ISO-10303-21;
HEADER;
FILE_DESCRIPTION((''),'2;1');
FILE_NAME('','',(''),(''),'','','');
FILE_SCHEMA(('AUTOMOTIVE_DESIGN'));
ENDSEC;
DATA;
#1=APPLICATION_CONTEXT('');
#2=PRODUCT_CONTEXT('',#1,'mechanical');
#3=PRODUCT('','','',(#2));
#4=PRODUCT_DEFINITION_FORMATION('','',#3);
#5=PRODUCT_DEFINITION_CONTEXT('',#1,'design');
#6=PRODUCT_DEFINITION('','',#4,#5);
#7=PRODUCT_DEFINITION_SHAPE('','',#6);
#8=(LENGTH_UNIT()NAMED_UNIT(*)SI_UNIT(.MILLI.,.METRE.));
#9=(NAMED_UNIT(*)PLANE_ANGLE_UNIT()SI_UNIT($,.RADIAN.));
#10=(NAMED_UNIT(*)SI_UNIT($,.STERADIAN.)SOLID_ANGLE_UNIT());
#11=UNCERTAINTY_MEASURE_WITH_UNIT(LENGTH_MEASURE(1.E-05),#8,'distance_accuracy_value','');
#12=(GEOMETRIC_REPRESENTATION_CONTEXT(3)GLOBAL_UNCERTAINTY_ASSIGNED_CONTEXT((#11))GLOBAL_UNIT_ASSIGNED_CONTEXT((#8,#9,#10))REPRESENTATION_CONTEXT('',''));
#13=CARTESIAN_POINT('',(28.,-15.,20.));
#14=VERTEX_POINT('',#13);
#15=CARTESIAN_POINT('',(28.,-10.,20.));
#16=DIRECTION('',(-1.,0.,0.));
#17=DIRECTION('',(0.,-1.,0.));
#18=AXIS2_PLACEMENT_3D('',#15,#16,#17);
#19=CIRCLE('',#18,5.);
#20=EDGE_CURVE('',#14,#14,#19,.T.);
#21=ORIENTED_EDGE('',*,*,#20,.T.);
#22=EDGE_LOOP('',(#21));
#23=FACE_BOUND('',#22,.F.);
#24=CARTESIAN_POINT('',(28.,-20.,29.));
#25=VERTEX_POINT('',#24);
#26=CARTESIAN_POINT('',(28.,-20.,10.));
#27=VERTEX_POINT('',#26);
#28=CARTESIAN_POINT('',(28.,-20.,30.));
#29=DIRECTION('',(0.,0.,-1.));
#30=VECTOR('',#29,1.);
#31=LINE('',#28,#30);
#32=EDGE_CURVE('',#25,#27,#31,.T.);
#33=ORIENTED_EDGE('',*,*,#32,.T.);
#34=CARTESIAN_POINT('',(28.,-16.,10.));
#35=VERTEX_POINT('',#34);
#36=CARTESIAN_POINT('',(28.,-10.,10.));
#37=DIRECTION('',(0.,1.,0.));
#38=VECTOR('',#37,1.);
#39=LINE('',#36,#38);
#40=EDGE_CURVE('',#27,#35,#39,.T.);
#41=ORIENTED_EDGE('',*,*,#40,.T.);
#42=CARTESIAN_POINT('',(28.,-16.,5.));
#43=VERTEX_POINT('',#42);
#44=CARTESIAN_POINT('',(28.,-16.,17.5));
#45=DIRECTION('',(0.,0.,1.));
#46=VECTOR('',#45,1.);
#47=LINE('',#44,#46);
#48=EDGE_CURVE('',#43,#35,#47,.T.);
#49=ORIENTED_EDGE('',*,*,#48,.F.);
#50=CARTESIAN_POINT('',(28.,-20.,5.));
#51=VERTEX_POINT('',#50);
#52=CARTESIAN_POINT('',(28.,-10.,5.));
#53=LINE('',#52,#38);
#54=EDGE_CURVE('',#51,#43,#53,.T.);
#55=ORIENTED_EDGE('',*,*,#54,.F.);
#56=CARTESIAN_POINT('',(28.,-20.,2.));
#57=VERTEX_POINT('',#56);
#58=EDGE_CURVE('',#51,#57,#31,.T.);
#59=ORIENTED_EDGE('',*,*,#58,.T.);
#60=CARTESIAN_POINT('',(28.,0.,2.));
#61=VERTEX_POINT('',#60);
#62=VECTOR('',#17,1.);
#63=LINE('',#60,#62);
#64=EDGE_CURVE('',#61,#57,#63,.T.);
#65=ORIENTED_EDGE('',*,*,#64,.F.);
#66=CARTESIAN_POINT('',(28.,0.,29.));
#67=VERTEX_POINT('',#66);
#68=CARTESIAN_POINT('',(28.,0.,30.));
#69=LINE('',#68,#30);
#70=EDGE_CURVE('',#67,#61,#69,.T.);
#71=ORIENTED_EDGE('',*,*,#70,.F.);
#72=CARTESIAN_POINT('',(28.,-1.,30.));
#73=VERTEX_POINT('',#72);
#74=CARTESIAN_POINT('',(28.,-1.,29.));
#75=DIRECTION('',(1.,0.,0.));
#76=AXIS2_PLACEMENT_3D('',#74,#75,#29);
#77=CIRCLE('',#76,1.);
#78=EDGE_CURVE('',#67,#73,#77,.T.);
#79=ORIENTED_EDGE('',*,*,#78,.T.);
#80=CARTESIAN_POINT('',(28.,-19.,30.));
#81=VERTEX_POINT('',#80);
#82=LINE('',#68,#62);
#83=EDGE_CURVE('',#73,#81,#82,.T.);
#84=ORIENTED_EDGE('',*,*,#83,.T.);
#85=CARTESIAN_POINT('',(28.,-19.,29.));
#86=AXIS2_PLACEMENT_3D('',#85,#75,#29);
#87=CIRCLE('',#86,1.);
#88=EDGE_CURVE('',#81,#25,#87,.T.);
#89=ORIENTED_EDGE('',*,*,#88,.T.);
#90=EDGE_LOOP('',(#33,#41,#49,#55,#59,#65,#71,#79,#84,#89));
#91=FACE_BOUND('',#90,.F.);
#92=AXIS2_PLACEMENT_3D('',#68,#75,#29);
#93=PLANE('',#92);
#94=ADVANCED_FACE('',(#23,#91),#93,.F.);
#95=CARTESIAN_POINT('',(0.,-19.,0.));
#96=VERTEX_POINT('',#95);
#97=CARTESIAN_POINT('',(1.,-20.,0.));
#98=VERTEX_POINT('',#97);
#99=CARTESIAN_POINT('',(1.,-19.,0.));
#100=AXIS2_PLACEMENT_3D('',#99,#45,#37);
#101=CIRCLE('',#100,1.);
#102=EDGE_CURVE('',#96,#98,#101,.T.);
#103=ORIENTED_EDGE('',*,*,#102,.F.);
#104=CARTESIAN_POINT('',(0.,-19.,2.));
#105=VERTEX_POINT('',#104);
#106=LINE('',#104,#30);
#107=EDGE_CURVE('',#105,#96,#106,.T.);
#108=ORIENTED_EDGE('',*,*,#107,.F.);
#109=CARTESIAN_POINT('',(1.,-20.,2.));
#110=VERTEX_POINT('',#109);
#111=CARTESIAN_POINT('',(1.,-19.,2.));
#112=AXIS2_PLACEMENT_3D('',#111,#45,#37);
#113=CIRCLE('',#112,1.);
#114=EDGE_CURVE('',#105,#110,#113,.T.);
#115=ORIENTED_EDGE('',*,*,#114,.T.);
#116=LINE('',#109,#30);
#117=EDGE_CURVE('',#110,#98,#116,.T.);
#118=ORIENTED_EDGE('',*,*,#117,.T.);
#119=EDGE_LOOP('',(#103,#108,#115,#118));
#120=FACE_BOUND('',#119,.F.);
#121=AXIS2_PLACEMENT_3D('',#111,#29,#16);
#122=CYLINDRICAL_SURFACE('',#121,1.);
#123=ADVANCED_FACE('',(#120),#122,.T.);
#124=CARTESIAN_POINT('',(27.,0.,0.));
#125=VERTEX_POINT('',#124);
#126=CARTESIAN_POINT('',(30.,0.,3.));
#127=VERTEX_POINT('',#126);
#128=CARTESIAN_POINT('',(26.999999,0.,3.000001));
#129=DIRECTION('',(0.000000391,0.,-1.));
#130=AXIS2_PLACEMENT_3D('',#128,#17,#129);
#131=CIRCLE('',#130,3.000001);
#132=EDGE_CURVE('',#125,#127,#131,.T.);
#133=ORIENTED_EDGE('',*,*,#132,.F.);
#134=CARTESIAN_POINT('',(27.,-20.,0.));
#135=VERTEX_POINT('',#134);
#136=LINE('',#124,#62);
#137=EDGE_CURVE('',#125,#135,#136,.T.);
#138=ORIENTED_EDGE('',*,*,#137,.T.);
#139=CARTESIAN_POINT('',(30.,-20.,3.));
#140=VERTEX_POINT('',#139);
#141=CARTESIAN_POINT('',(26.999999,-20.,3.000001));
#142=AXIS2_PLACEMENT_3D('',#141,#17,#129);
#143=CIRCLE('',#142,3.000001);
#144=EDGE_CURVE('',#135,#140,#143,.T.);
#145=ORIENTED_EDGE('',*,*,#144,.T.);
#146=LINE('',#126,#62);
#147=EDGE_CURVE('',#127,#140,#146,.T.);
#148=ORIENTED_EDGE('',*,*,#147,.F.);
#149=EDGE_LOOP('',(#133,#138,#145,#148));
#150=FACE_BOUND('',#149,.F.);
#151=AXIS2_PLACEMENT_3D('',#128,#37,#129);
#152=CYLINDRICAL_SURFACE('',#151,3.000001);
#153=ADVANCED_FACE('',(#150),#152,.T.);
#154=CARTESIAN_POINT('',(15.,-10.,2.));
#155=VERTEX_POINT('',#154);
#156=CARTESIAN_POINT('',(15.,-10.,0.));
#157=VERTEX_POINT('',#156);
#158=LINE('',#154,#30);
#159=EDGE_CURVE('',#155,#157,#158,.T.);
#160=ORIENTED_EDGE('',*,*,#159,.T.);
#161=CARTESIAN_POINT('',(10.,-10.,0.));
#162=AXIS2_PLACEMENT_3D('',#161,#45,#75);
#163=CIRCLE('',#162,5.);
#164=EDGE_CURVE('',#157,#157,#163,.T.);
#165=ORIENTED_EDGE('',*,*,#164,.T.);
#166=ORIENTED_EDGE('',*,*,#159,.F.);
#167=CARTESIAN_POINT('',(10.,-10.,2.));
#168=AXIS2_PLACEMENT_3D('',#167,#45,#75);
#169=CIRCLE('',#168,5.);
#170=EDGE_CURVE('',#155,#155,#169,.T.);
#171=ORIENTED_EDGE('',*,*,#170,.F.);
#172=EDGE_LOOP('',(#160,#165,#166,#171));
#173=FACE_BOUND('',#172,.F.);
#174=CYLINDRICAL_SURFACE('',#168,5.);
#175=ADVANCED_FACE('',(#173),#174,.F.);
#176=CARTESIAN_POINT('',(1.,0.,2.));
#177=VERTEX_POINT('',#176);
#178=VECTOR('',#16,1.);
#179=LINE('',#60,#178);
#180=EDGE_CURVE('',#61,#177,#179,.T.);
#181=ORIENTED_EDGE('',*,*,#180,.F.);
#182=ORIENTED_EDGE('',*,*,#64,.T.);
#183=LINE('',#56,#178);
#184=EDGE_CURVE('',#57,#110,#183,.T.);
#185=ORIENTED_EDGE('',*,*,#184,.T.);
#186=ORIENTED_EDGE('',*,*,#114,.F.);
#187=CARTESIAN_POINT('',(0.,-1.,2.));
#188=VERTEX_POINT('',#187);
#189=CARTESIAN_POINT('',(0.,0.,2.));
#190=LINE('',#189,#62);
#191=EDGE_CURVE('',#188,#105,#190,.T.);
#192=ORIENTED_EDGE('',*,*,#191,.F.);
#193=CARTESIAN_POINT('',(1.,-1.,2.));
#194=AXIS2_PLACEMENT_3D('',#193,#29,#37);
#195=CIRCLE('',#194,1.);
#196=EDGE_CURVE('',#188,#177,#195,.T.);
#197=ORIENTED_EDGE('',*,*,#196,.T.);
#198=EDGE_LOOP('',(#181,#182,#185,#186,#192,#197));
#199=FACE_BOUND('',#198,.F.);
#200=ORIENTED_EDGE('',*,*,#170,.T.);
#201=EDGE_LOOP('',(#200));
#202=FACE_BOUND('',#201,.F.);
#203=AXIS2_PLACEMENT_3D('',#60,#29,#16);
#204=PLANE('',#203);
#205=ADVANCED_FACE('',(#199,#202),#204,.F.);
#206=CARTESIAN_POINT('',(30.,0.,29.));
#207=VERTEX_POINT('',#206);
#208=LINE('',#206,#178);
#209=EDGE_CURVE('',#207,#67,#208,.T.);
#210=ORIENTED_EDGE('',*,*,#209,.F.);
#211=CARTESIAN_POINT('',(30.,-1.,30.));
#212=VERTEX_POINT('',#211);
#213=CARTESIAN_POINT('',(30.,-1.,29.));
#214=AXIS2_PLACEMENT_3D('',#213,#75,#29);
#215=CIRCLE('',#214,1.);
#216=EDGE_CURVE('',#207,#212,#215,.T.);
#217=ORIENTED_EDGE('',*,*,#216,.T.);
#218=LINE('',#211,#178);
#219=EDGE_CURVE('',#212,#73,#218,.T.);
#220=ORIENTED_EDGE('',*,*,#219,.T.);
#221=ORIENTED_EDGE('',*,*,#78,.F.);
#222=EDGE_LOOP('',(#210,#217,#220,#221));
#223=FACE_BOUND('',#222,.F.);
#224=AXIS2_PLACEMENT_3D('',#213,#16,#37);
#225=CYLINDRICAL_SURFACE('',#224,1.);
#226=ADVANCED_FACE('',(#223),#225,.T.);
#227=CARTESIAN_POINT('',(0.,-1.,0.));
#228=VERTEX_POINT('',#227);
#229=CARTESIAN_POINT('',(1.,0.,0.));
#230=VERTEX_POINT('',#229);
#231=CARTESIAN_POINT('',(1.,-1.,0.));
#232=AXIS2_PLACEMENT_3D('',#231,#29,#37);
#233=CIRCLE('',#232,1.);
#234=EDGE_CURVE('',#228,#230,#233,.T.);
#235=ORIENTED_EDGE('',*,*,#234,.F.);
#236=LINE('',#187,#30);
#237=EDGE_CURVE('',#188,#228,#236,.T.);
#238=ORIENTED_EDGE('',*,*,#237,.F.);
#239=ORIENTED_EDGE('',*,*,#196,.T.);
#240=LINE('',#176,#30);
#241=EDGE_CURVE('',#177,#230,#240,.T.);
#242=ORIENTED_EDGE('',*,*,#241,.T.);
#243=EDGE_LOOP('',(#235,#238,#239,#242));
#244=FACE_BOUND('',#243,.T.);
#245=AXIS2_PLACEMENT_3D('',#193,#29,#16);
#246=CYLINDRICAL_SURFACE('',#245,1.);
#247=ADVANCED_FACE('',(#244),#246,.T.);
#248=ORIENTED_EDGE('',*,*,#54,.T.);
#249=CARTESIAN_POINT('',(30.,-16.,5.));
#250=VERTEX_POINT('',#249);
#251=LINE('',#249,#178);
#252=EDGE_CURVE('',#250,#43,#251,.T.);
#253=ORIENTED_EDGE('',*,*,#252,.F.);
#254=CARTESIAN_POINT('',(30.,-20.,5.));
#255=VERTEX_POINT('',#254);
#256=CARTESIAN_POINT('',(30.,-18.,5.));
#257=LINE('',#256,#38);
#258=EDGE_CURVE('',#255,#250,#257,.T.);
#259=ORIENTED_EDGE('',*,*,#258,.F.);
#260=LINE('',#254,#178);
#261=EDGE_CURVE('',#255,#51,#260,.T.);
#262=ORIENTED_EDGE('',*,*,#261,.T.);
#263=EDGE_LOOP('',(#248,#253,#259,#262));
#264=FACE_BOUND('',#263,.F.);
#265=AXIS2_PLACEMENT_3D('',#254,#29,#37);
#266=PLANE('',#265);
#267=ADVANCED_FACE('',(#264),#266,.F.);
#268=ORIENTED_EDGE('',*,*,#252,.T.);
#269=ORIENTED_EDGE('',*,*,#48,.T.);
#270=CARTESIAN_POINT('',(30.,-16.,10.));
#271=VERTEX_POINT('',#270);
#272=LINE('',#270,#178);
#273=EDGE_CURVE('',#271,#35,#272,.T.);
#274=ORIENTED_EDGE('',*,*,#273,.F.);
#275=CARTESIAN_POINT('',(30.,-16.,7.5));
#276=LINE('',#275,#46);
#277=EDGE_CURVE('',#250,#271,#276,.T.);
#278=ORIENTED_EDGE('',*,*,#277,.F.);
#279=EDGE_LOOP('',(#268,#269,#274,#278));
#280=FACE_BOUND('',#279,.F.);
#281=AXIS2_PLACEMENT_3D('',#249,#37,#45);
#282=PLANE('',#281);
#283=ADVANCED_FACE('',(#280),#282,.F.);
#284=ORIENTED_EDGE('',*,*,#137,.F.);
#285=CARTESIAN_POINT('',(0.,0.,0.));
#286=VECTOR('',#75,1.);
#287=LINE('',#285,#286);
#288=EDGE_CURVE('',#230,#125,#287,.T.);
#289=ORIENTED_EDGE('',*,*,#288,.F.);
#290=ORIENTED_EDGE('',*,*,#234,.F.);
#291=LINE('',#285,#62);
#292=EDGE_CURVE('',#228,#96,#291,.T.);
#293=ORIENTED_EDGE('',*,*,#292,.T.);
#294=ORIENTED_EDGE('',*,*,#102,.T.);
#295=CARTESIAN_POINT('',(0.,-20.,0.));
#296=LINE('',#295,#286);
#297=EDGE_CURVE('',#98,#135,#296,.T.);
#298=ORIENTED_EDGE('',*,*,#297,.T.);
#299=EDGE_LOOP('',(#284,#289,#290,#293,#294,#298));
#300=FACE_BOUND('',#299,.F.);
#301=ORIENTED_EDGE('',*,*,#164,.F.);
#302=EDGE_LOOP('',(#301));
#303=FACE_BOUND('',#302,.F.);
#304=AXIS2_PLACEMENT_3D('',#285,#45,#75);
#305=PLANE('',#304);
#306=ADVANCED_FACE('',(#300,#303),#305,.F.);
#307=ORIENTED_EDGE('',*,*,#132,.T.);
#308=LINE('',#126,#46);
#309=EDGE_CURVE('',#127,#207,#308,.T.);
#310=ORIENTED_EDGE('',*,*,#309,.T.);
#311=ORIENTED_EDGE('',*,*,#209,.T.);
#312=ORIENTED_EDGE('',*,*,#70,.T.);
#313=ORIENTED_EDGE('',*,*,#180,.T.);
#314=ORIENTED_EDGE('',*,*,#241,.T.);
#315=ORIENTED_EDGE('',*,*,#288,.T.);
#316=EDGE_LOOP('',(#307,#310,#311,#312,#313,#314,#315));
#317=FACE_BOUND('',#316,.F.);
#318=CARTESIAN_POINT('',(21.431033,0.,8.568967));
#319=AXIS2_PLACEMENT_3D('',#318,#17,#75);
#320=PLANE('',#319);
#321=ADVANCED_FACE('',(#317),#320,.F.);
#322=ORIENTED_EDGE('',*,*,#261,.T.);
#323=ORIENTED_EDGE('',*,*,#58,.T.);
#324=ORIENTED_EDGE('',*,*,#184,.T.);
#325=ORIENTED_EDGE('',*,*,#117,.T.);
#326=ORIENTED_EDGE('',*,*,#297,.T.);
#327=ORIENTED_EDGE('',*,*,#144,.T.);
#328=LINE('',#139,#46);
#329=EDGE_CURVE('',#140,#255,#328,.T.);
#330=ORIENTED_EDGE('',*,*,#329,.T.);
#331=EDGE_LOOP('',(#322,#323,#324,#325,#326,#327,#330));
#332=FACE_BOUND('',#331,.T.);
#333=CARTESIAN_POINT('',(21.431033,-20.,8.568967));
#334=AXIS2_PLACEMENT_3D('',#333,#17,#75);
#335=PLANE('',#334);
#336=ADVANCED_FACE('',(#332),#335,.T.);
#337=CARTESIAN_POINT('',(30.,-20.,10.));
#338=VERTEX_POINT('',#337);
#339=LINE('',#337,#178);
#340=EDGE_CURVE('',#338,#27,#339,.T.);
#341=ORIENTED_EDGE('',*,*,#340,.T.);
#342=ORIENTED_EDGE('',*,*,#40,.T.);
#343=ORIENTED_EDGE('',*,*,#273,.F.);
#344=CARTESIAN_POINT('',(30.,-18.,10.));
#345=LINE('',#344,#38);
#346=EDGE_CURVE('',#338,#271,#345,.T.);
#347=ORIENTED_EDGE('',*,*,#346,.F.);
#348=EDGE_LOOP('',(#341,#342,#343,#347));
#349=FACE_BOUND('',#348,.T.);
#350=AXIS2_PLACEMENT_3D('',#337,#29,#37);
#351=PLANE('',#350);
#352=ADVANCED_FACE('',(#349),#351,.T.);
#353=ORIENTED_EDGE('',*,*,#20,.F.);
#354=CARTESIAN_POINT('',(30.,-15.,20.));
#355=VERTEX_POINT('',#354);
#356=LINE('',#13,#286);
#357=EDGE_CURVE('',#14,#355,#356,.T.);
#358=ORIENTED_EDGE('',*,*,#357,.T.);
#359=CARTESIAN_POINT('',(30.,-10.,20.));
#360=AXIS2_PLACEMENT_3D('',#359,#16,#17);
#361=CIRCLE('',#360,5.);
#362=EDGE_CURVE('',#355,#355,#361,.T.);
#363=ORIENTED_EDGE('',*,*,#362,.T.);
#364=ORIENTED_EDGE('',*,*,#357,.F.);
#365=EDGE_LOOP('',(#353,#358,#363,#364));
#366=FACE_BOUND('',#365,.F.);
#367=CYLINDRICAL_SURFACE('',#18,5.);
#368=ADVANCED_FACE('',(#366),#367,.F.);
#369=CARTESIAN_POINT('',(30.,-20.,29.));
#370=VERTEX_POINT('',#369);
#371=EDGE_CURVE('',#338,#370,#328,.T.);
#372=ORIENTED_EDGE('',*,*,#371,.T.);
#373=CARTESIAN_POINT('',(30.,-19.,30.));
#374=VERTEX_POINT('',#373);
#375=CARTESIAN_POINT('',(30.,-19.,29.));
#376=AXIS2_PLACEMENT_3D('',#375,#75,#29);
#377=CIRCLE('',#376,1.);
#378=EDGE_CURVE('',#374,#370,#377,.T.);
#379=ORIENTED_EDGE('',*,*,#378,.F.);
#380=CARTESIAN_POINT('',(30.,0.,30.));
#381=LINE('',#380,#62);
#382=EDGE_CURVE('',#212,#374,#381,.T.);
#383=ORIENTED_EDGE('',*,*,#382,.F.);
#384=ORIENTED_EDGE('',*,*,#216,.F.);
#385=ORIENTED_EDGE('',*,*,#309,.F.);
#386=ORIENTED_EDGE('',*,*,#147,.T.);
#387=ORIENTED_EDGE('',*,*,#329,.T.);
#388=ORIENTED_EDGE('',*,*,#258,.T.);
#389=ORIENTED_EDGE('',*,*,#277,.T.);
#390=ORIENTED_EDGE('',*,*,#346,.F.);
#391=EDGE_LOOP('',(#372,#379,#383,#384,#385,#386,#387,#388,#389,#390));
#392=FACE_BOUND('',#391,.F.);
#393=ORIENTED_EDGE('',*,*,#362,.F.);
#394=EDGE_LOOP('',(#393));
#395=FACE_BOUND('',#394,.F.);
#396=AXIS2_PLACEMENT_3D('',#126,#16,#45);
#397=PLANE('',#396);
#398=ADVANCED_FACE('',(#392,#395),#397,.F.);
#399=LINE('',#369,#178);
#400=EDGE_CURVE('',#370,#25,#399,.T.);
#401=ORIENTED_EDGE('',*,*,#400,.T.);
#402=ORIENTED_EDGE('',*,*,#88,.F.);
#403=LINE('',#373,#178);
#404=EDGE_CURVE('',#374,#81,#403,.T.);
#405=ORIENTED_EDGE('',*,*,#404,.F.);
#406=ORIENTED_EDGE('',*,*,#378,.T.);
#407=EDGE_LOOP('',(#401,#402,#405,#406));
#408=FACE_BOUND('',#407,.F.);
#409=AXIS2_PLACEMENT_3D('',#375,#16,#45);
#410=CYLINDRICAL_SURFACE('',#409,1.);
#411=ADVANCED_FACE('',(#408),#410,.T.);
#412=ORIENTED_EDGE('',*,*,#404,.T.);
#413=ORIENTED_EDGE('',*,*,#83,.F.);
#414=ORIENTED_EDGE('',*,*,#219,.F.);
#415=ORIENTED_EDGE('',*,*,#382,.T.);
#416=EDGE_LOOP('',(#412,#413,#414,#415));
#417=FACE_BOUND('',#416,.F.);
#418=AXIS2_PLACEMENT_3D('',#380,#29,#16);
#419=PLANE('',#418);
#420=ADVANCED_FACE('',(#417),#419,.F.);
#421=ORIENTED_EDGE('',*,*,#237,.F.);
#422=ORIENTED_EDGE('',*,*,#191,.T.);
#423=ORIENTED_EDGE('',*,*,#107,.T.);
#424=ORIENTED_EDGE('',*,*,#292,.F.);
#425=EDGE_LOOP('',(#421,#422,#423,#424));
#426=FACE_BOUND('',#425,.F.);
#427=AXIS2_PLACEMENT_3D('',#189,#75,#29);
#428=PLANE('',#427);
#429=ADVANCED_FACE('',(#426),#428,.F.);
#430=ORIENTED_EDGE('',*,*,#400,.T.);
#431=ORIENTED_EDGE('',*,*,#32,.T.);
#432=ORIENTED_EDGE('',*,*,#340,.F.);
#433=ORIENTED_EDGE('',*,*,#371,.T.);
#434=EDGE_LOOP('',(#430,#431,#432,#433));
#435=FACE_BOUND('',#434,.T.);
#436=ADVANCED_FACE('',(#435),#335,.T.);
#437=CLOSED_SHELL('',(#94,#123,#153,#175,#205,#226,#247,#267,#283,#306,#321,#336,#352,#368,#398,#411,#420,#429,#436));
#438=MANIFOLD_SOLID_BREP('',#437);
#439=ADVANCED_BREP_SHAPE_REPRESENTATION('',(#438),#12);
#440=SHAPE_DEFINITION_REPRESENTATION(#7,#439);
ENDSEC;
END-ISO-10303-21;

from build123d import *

# Parameters (mm, degrees)
F1_DEPTH = 20
F2_R     = 5
F3_DEPTH = 2.001
F4_R     = 5
F5_DEPTH = 2.001
F6_W     = 4
F6_H     = 5
F7_DEPTH = 30.001
F8_R     = 1


with BuildPart() as f1:
    # F0 (on Front) → F1 (new body)
    with BuildSketch(Plane.XZ):
        with BuildLine():
            Line((0, 2), (0, 0))
            Line((0, 0), (27, 0))
            ThreePointArc((27, 0), (29.12132, 0.87868), (30, 3))
            Line((30, 3), (30, 30))
            Line((30, 30), (28, 30))
            Line((28, 30), (28, 2))
            Line((28, 2), (0, 2))
        make_face()
    extrude(amount=F1_DEPTH)

    # F2 (on face) → F3 (cut, through all)
    with BuildSketch(Plane(origin=(28, 0, 0), x_dir=(0, -1, 0), z_dir=(-1, 0, 0))):
        with Locations((10, 20)):
            Circle(F2_R)
    extrude(amount=-F3_DEPTH, mode=Mode.SUBTRACT)

    # F4 (on face) → F5 (cut, through all)
    with BuildSketch(Plane.XY.offset(2)):
        with Locations((10, -10)):
            Circle(F4_R)
    extrude(amount=-F5_DEPTH, mode=Mode.SUBTRACT)

    # F6 (on face) → F7 (cut, through all)
    with BuildSketch(Plane.YZ.offset(30)):
        with Locations((-18, 7.5)):
            Rectangle(F6_W, F6_H)
    extrude(amount=-F7_DEPTH, mode=Mode.SUBTRACT)

    # F8
    f8_edges = [f1.edges().sort_by_distance(p)[0] for p in [
        (0, -20, 1),
        (0, 0, 1),
        (29, 0, 30),
        (29, -20, 30),
    ]]
    fillet(f8_edges, radius=F8_R)


solid = f1.part
